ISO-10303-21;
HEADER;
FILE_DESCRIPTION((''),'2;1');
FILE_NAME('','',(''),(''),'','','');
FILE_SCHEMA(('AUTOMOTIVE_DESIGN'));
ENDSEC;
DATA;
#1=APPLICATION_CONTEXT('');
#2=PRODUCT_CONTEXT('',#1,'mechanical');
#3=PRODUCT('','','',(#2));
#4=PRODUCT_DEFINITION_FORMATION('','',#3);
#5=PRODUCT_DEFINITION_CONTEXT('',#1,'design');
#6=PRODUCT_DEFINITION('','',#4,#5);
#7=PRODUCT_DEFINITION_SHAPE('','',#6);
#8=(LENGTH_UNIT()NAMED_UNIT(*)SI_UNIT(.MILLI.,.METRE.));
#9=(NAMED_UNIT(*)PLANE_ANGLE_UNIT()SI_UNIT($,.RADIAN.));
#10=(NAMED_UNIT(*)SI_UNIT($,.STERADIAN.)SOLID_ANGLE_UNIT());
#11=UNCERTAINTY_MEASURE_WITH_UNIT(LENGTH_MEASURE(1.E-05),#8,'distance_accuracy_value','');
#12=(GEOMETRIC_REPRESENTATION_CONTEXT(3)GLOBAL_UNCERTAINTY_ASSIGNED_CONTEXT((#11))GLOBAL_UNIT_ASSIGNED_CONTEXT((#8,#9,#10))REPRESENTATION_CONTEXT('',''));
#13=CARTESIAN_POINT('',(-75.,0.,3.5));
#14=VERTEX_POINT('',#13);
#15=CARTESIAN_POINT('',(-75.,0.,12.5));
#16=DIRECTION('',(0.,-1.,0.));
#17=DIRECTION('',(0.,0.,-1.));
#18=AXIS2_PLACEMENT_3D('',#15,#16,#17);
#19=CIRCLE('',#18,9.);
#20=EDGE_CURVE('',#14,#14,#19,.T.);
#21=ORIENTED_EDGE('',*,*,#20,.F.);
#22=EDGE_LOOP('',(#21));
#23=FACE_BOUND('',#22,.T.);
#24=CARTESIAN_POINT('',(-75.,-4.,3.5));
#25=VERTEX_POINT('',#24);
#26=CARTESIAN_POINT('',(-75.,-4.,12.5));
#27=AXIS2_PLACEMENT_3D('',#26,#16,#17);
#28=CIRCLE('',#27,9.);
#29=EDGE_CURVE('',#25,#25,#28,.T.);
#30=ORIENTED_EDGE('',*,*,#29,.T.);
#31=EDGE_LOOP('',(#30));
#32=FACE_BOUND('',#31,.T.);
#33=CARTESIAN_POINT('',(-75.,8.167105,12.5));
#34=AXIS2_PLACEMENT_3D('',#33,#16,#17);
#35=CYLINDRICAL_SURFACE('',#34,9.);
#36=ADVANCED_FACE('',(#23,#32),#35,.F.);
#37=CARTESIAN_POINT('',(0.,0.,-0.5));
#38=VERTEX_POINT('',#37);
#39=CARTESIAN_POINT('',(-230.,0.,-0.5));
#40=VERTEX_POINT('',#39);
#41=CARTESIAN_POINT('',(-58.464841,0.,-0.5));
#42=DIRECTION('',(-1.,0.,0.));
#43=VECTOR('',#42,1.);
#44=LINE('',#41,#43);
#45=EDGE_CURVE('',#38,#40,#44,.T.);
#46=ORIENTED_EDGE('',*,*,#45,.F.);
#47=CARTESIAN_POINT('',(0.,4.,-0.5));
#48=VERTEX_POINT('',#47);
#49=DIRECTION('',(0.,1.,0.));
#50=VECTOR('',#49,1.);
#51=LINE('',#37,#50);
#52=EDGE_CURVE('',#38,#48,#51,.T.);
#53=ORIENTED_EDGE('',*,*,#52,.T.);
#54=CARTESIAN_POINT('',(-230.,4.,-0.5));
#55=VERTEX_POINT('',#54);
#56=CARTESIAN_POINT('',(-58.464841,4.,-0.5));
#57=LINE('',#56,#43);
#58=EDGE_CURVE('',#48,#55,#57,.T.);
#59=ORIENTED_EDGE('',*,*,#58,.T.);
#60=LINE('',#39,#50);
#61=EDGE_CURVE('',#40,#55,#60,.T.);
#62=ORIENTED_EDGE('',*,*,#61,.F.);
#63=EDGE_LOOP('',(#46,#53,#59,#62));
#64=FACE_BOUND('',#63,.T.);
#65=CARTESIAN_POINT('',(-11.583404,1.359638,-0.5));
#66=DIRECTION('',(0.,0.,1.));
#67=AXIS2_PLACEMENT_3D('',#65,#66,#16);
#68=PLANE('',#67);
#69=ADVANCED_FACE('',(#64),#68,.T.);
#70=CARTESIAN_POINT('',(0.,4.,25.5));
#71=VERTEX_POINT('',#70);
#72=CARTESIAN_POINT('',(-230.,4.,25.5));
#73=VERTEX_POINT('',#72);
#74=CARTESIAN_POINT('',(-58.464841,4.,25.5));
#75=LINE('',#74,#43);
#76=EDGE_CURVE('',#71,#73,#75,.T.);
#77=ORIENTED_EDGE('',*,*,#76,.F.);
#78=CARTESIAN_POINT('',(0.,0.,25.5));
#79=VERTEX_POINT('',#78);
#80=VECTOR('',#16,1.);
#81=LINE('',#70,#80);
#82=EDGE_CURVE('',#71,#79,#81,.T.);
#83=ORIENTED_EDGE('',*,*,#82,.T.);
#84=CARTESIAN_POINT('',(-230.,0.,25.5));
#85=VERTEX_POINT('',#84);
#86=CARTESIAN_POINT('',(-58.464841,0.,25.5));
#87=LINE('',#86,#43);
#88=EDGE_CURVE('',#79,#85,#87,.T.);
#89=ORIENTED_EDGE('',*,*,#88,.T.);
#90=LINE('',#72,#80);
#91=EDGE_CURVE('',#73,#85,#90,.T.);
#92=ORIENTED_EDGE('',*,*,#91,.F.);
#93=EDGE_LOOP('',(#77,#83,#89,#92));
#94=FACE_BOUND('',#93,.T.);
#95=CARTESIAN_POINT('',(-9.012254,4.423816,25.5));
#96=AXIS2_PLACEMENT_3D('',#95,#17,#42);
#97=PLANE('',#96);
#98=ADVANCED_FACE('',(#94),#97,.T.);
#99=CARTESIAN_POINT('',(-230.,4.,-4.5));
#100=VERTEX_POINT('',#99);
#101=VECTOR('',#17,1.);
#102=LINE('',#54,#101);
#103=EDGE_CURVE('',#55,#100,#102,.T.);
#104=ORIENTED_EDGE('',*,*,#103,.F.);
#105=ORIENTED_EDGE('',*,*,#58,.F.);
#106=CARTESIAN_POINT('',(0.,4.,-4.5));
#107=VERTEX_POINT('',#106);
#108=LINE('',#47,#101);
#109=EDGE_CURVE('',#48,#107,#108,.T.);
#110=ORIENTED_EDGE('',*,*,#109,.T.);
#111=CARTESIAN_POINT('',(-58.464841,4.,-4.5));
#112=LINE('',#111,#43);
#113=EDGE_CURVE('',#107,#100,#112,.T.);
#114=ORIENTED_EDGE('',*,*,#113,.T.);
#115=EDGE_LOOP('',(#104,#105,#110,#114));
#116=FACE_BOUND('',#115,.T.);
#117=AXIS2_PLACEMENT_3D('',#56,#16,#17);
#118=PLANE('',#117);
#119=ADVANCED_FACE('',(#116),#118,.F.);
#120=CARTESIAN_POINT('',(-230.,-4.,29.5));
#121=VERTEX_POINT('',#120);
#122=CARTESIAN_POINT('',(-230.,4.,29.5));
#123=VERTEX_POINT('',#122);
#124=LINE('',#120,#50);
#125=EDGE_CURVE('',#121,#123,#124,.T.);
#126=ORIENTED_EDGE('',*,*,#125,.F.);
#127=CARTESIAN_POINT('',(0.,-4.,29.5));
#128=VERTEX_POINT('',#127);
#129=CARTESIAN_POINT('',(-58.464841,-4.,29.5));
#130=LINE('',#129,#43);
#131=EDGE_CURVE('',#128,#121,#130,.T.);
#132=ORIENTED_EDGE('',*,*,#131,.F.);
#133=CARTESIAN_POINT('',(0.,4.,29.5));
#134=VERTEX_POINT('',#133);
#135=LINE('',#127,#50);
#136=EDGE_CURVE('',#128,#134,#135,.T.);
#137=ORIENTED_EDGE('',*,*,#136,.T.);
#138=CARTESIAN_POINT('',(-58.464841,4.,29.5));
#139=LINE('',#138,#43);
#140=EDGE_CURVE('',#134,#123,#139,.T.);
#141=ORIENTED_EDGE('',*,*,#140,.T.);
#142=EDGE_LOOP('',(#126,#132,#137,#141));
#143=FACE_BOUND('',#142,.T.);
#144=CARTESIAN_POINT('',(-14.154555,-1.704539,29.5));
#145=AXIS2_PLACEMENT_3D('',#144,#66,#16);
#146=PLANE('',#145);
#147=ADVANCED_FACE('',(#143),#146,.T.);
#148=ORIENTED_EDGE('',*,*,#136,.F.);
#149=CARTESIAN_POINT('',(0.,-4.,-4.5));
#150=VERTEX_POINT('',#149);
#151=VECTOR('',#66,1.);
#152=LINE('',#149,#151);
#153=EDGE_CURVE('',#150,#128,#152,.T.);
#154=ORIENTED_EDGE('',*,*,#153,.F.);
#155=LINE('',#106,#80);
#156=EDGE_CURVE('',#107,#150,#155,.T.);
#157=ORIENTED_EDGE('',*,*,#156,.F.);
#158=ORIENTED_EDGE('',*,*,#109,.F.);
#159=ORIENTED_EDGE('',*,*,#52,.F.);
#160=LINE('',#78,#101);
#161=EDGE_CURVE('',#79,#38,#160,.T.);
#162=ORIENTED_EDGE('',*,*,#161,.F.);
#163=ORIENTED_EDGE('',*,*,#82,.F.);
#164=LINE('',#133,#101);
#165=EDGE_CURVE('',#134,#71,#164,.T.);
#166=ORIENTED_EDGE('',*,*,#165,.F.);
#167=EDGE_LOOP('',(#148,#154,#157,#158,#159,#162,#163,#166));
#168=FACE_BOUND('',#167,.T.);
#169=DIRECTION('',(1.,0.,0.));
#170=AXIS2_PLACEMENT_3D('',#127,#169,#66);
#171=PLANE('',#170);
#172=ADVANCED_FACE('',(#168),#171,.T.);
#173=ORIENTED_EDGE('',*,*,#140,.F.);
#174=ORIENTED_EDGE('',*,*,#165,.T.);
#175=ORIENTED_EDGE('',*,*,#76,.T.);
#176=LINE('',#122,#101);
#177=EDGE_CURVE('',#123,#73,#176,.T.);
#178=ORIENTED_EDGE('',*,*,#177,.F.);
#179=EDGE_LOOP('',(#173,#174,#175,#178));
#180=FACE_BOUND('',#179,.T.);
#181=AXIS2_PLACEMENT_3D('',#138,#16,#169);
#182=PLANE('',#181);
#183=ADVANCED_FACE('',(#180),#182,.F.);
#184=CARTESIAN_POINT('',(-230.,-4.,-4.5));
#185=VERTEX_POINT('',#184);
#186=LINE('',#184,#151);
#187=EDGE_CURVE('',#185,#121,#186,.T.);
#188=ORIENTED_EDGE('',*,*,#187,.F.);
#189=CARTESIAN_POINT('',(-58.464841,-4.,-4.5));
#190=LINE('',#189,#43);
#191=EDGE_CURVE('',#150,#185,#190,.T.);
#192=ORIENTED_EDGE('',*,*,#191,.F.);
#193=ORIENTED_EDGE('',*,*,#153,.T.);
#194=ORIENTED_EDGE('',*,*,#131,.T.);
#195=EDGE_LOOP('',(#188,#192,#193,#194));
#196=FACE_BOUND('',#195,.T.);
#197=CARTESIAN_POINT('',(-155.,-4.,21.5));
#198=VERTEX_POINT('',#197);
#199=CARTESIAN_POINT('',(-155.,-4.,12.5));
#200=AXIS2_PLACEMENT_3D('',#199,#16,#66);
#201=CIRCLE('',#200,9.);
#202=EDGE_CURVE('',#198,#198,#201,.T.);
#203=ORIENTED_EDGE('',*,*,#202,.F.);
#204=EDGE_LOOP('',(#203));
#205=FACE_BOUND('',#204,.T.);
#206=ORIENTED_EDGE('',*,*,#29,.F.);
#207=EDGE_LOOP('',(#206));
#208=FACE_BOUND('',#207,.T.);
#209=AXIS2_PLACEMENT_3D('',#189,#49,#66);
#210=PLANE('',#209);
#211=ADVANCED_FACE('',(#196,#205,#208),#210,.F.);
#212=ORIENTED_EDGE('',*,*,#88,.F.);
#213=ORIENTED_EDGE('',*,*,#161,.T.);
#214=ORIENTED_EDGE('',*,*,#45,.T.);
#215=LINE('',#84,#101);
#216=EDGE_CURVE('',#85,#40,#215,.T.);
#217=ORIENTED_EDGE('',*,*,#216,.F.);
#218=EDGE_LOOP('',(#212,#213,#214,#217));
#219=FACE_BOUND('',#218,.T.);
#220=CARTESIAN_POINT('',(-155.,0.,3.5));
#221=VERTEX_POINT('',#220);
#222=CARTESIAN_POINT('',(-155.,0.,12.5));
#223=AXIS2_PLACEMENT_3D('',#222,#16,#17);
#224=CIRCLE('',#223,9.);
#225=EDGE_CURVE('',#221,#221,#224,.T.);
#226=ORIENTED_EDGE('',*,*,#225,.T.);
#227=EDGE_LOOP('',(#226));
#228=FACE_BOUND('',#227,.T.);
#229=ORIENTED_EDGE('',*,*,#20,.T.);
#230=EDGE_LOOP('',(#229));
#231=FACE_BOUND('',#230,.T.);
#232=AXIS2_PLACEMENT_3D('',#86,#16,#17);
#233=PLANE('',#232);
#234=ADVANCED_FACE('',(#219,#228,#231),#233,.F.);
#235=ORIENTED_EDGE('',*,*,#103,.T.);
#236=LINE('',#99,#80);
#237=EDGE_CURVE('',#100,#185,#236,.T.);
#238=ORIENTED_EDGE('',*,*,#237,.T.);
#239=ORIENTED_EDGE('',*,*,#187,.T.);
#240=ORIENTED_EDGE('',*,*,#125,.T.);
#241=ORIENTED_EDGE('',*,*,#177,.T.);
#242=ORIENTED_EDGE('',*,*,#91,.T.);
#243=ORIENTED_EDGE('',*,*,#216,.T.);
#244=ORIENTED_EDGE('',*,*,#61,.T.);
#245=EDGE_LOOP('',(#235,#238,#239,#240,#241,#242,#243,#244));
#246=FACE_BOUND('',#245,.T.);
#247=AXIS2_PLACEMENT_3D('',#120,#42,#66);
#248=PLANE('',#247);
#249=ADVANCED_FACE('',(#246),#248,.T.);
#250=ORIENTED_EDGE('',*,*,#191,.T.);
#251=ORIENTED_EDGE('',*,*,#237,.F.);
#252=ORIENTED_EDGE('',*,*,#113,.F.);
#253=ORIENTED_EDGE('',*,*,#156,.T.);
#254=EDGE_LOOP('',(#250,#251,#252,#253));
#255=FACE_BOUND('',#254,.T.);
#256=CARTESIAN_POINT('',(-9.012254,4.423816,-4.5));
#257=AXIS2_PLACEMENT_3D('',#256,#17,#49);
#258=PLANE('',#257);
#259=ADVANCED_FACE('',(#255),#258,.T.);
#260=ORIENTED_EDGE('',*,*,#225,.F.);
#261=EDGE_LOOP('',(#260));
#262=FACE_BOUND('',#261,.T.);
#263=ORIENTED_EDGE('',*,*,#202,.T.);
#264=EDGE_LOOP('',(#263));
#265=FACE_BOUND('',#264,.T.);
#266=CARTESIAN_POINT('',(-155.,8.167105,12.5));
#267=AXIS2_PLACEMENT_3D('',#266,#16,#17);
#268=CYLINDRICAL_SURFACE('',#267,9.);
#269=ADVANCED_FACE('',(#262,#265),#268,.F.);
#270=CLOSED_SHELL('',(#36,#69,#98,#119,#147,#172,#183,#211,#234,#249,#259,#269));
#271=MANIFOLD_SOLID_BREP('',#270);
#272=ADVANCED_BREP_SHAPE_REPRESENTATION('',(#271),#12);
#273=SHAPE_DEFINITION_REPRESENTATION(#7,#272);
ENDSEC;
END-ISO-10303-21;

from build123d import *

# Parameters (mm, degrees)
SKETCH5_R               = 9
F_2_STK_18_HULLER_DEPTH = 13.167105011
SKETCH3_W               = 62.936012514
SKETCH3_H               = 32.167105011
DUMMY_CUT_AWAY1_DEPTH   = 35
SKETCH6_W               = 62.936012514
SKETCH6_H               = 32.167105011
DUMMY_CUT_AWAY2_DEPTH   = 35
DUMMY_RET1_DEPTH        = 65


with BuildPart() as part:
    # Sweep1: sweep along a path in Sketch1
    with BuildLine(Plane.XY) as sweep1_path:
        Line((-225.364862075, -4.470649394), (-218.416595736, 1.359638329))
        ThreePointArc((-218.416595736, 1.359638329), (-214.807386139, 3.443416461), (-210.703144419, 4.167105011))
        Line((-210.703144419, 4.167105011), (-188.097668128, 4.167105011))
        ThreePointArc((-188.097668128, 4.167105011), (-186.013889996, 3.984798048), (-183.993426408, 3.443416461))
        Line((-183.993426408, 3.443416461), (-177.3495012, 1.025225447))
        ThreePointArc((-177.3495012, 1.025225447), (-174.487177784, 0.258268199), (-171.535158764, 0))
        Line((-171.535158764, 0), (-58.464841236, 0))
        ThreePointArc((-58.464841236, 0), (-55.512822216, 0.258268199), (-52.6504988, 1.025225447))
        Line((-52.6504988, 1.025225447), (-46.006573592, 3.443416461))
        ThreePointArc((-46.006573592, 3.443416461), (-43.986110004, 3.984798048), (-41.902331872, 4.167105011))
        Line((-41.902331872, 4.167105011), (-19.296855581, 4.167105011))
        ThreePointArc((-19.296855581, 4.167105011), (-15.192613861, 3.443416461), (-11.583404264, 1.359638329))
        Line((-11.583404264, 1.359638329), (-4.635137925, -4.470649394))
    # Sketch2 → Sweep1 (sweep)
    with BuildSketch(Plane(origin=(-4.635137925, -4.470649394, 0), x_dir=(0, 0, -1), z_dir=(0.766044443, -0.64278761, 0))):
        Polygon((0, 0), (0.5, 0), (0.5, 4), (4.5, 4), (4.5, -4), (-29.5, -4), (-29.5, 4), (-25.5, 4), (-25.5, 0), align=None)
    sweep(path=sweep1_path.line)

    # Sketch5 → 2 stk ø18 huller (cut, through all)
    with BuildSketch(Plane.XZ.offset(4)):
        with Locations((-75, 12.5)):
            Circle(SKETCH5_R)
        with Locations((-155, 12.5)):
            Circle(SKETCH5_R)
    extrude(amount=-F_2_STK_18_HULLER_DEPTH, mode=Mode.SUBTRACT)

    # Sketch3 → Dummy cut away1 (cut, through all)
    with BuildSketch(Plane.XY.offset(29.5)):
        with Locations((-33.531993743, 2.083552506)):
            Rectangle(SKETCH3_W, SKETCH3_H)
    extrude(amount=-DUMMY_CUT_AWAY1_DEPTH, mode=Mode.SUBTRACT)

    # Sketch6 → Dummy cut away2 (cut, through all)
    with BuildSketch(Plane.XY.offset(29.5)):
        with Locations((-196.468006257, 2.083552506)):
            Rectangle(SKETCH6_W, SKETCH6_H)
    extrude(amount=-DUMMY_CUT_AWAY2_DEPTH, mode=Mode.SUBTRACT)

    # Sketch4 → Dummy ret1 (add)
    with BuildSketch(Plane.ZY.offset(165)):
        Polygon((29.5, -4), (29.5, 4), (25.5, 4), (25.5, 0), (-0.5, 0), (-0.5, 4), (-4.5, 4), (-4.5, -4), align=None)
    dummy_ret1 = extrude(amount=DUMMY_RET1_DEPTH)

    # Mirror1: Dummy ret1 across plane
    add(dummy_ret1.mirror(Plane(origin=(-115, 4, 29.5), x_dir=(0, 0, 1), z_dir=(-1, 0, 0))))


solid = part.part
